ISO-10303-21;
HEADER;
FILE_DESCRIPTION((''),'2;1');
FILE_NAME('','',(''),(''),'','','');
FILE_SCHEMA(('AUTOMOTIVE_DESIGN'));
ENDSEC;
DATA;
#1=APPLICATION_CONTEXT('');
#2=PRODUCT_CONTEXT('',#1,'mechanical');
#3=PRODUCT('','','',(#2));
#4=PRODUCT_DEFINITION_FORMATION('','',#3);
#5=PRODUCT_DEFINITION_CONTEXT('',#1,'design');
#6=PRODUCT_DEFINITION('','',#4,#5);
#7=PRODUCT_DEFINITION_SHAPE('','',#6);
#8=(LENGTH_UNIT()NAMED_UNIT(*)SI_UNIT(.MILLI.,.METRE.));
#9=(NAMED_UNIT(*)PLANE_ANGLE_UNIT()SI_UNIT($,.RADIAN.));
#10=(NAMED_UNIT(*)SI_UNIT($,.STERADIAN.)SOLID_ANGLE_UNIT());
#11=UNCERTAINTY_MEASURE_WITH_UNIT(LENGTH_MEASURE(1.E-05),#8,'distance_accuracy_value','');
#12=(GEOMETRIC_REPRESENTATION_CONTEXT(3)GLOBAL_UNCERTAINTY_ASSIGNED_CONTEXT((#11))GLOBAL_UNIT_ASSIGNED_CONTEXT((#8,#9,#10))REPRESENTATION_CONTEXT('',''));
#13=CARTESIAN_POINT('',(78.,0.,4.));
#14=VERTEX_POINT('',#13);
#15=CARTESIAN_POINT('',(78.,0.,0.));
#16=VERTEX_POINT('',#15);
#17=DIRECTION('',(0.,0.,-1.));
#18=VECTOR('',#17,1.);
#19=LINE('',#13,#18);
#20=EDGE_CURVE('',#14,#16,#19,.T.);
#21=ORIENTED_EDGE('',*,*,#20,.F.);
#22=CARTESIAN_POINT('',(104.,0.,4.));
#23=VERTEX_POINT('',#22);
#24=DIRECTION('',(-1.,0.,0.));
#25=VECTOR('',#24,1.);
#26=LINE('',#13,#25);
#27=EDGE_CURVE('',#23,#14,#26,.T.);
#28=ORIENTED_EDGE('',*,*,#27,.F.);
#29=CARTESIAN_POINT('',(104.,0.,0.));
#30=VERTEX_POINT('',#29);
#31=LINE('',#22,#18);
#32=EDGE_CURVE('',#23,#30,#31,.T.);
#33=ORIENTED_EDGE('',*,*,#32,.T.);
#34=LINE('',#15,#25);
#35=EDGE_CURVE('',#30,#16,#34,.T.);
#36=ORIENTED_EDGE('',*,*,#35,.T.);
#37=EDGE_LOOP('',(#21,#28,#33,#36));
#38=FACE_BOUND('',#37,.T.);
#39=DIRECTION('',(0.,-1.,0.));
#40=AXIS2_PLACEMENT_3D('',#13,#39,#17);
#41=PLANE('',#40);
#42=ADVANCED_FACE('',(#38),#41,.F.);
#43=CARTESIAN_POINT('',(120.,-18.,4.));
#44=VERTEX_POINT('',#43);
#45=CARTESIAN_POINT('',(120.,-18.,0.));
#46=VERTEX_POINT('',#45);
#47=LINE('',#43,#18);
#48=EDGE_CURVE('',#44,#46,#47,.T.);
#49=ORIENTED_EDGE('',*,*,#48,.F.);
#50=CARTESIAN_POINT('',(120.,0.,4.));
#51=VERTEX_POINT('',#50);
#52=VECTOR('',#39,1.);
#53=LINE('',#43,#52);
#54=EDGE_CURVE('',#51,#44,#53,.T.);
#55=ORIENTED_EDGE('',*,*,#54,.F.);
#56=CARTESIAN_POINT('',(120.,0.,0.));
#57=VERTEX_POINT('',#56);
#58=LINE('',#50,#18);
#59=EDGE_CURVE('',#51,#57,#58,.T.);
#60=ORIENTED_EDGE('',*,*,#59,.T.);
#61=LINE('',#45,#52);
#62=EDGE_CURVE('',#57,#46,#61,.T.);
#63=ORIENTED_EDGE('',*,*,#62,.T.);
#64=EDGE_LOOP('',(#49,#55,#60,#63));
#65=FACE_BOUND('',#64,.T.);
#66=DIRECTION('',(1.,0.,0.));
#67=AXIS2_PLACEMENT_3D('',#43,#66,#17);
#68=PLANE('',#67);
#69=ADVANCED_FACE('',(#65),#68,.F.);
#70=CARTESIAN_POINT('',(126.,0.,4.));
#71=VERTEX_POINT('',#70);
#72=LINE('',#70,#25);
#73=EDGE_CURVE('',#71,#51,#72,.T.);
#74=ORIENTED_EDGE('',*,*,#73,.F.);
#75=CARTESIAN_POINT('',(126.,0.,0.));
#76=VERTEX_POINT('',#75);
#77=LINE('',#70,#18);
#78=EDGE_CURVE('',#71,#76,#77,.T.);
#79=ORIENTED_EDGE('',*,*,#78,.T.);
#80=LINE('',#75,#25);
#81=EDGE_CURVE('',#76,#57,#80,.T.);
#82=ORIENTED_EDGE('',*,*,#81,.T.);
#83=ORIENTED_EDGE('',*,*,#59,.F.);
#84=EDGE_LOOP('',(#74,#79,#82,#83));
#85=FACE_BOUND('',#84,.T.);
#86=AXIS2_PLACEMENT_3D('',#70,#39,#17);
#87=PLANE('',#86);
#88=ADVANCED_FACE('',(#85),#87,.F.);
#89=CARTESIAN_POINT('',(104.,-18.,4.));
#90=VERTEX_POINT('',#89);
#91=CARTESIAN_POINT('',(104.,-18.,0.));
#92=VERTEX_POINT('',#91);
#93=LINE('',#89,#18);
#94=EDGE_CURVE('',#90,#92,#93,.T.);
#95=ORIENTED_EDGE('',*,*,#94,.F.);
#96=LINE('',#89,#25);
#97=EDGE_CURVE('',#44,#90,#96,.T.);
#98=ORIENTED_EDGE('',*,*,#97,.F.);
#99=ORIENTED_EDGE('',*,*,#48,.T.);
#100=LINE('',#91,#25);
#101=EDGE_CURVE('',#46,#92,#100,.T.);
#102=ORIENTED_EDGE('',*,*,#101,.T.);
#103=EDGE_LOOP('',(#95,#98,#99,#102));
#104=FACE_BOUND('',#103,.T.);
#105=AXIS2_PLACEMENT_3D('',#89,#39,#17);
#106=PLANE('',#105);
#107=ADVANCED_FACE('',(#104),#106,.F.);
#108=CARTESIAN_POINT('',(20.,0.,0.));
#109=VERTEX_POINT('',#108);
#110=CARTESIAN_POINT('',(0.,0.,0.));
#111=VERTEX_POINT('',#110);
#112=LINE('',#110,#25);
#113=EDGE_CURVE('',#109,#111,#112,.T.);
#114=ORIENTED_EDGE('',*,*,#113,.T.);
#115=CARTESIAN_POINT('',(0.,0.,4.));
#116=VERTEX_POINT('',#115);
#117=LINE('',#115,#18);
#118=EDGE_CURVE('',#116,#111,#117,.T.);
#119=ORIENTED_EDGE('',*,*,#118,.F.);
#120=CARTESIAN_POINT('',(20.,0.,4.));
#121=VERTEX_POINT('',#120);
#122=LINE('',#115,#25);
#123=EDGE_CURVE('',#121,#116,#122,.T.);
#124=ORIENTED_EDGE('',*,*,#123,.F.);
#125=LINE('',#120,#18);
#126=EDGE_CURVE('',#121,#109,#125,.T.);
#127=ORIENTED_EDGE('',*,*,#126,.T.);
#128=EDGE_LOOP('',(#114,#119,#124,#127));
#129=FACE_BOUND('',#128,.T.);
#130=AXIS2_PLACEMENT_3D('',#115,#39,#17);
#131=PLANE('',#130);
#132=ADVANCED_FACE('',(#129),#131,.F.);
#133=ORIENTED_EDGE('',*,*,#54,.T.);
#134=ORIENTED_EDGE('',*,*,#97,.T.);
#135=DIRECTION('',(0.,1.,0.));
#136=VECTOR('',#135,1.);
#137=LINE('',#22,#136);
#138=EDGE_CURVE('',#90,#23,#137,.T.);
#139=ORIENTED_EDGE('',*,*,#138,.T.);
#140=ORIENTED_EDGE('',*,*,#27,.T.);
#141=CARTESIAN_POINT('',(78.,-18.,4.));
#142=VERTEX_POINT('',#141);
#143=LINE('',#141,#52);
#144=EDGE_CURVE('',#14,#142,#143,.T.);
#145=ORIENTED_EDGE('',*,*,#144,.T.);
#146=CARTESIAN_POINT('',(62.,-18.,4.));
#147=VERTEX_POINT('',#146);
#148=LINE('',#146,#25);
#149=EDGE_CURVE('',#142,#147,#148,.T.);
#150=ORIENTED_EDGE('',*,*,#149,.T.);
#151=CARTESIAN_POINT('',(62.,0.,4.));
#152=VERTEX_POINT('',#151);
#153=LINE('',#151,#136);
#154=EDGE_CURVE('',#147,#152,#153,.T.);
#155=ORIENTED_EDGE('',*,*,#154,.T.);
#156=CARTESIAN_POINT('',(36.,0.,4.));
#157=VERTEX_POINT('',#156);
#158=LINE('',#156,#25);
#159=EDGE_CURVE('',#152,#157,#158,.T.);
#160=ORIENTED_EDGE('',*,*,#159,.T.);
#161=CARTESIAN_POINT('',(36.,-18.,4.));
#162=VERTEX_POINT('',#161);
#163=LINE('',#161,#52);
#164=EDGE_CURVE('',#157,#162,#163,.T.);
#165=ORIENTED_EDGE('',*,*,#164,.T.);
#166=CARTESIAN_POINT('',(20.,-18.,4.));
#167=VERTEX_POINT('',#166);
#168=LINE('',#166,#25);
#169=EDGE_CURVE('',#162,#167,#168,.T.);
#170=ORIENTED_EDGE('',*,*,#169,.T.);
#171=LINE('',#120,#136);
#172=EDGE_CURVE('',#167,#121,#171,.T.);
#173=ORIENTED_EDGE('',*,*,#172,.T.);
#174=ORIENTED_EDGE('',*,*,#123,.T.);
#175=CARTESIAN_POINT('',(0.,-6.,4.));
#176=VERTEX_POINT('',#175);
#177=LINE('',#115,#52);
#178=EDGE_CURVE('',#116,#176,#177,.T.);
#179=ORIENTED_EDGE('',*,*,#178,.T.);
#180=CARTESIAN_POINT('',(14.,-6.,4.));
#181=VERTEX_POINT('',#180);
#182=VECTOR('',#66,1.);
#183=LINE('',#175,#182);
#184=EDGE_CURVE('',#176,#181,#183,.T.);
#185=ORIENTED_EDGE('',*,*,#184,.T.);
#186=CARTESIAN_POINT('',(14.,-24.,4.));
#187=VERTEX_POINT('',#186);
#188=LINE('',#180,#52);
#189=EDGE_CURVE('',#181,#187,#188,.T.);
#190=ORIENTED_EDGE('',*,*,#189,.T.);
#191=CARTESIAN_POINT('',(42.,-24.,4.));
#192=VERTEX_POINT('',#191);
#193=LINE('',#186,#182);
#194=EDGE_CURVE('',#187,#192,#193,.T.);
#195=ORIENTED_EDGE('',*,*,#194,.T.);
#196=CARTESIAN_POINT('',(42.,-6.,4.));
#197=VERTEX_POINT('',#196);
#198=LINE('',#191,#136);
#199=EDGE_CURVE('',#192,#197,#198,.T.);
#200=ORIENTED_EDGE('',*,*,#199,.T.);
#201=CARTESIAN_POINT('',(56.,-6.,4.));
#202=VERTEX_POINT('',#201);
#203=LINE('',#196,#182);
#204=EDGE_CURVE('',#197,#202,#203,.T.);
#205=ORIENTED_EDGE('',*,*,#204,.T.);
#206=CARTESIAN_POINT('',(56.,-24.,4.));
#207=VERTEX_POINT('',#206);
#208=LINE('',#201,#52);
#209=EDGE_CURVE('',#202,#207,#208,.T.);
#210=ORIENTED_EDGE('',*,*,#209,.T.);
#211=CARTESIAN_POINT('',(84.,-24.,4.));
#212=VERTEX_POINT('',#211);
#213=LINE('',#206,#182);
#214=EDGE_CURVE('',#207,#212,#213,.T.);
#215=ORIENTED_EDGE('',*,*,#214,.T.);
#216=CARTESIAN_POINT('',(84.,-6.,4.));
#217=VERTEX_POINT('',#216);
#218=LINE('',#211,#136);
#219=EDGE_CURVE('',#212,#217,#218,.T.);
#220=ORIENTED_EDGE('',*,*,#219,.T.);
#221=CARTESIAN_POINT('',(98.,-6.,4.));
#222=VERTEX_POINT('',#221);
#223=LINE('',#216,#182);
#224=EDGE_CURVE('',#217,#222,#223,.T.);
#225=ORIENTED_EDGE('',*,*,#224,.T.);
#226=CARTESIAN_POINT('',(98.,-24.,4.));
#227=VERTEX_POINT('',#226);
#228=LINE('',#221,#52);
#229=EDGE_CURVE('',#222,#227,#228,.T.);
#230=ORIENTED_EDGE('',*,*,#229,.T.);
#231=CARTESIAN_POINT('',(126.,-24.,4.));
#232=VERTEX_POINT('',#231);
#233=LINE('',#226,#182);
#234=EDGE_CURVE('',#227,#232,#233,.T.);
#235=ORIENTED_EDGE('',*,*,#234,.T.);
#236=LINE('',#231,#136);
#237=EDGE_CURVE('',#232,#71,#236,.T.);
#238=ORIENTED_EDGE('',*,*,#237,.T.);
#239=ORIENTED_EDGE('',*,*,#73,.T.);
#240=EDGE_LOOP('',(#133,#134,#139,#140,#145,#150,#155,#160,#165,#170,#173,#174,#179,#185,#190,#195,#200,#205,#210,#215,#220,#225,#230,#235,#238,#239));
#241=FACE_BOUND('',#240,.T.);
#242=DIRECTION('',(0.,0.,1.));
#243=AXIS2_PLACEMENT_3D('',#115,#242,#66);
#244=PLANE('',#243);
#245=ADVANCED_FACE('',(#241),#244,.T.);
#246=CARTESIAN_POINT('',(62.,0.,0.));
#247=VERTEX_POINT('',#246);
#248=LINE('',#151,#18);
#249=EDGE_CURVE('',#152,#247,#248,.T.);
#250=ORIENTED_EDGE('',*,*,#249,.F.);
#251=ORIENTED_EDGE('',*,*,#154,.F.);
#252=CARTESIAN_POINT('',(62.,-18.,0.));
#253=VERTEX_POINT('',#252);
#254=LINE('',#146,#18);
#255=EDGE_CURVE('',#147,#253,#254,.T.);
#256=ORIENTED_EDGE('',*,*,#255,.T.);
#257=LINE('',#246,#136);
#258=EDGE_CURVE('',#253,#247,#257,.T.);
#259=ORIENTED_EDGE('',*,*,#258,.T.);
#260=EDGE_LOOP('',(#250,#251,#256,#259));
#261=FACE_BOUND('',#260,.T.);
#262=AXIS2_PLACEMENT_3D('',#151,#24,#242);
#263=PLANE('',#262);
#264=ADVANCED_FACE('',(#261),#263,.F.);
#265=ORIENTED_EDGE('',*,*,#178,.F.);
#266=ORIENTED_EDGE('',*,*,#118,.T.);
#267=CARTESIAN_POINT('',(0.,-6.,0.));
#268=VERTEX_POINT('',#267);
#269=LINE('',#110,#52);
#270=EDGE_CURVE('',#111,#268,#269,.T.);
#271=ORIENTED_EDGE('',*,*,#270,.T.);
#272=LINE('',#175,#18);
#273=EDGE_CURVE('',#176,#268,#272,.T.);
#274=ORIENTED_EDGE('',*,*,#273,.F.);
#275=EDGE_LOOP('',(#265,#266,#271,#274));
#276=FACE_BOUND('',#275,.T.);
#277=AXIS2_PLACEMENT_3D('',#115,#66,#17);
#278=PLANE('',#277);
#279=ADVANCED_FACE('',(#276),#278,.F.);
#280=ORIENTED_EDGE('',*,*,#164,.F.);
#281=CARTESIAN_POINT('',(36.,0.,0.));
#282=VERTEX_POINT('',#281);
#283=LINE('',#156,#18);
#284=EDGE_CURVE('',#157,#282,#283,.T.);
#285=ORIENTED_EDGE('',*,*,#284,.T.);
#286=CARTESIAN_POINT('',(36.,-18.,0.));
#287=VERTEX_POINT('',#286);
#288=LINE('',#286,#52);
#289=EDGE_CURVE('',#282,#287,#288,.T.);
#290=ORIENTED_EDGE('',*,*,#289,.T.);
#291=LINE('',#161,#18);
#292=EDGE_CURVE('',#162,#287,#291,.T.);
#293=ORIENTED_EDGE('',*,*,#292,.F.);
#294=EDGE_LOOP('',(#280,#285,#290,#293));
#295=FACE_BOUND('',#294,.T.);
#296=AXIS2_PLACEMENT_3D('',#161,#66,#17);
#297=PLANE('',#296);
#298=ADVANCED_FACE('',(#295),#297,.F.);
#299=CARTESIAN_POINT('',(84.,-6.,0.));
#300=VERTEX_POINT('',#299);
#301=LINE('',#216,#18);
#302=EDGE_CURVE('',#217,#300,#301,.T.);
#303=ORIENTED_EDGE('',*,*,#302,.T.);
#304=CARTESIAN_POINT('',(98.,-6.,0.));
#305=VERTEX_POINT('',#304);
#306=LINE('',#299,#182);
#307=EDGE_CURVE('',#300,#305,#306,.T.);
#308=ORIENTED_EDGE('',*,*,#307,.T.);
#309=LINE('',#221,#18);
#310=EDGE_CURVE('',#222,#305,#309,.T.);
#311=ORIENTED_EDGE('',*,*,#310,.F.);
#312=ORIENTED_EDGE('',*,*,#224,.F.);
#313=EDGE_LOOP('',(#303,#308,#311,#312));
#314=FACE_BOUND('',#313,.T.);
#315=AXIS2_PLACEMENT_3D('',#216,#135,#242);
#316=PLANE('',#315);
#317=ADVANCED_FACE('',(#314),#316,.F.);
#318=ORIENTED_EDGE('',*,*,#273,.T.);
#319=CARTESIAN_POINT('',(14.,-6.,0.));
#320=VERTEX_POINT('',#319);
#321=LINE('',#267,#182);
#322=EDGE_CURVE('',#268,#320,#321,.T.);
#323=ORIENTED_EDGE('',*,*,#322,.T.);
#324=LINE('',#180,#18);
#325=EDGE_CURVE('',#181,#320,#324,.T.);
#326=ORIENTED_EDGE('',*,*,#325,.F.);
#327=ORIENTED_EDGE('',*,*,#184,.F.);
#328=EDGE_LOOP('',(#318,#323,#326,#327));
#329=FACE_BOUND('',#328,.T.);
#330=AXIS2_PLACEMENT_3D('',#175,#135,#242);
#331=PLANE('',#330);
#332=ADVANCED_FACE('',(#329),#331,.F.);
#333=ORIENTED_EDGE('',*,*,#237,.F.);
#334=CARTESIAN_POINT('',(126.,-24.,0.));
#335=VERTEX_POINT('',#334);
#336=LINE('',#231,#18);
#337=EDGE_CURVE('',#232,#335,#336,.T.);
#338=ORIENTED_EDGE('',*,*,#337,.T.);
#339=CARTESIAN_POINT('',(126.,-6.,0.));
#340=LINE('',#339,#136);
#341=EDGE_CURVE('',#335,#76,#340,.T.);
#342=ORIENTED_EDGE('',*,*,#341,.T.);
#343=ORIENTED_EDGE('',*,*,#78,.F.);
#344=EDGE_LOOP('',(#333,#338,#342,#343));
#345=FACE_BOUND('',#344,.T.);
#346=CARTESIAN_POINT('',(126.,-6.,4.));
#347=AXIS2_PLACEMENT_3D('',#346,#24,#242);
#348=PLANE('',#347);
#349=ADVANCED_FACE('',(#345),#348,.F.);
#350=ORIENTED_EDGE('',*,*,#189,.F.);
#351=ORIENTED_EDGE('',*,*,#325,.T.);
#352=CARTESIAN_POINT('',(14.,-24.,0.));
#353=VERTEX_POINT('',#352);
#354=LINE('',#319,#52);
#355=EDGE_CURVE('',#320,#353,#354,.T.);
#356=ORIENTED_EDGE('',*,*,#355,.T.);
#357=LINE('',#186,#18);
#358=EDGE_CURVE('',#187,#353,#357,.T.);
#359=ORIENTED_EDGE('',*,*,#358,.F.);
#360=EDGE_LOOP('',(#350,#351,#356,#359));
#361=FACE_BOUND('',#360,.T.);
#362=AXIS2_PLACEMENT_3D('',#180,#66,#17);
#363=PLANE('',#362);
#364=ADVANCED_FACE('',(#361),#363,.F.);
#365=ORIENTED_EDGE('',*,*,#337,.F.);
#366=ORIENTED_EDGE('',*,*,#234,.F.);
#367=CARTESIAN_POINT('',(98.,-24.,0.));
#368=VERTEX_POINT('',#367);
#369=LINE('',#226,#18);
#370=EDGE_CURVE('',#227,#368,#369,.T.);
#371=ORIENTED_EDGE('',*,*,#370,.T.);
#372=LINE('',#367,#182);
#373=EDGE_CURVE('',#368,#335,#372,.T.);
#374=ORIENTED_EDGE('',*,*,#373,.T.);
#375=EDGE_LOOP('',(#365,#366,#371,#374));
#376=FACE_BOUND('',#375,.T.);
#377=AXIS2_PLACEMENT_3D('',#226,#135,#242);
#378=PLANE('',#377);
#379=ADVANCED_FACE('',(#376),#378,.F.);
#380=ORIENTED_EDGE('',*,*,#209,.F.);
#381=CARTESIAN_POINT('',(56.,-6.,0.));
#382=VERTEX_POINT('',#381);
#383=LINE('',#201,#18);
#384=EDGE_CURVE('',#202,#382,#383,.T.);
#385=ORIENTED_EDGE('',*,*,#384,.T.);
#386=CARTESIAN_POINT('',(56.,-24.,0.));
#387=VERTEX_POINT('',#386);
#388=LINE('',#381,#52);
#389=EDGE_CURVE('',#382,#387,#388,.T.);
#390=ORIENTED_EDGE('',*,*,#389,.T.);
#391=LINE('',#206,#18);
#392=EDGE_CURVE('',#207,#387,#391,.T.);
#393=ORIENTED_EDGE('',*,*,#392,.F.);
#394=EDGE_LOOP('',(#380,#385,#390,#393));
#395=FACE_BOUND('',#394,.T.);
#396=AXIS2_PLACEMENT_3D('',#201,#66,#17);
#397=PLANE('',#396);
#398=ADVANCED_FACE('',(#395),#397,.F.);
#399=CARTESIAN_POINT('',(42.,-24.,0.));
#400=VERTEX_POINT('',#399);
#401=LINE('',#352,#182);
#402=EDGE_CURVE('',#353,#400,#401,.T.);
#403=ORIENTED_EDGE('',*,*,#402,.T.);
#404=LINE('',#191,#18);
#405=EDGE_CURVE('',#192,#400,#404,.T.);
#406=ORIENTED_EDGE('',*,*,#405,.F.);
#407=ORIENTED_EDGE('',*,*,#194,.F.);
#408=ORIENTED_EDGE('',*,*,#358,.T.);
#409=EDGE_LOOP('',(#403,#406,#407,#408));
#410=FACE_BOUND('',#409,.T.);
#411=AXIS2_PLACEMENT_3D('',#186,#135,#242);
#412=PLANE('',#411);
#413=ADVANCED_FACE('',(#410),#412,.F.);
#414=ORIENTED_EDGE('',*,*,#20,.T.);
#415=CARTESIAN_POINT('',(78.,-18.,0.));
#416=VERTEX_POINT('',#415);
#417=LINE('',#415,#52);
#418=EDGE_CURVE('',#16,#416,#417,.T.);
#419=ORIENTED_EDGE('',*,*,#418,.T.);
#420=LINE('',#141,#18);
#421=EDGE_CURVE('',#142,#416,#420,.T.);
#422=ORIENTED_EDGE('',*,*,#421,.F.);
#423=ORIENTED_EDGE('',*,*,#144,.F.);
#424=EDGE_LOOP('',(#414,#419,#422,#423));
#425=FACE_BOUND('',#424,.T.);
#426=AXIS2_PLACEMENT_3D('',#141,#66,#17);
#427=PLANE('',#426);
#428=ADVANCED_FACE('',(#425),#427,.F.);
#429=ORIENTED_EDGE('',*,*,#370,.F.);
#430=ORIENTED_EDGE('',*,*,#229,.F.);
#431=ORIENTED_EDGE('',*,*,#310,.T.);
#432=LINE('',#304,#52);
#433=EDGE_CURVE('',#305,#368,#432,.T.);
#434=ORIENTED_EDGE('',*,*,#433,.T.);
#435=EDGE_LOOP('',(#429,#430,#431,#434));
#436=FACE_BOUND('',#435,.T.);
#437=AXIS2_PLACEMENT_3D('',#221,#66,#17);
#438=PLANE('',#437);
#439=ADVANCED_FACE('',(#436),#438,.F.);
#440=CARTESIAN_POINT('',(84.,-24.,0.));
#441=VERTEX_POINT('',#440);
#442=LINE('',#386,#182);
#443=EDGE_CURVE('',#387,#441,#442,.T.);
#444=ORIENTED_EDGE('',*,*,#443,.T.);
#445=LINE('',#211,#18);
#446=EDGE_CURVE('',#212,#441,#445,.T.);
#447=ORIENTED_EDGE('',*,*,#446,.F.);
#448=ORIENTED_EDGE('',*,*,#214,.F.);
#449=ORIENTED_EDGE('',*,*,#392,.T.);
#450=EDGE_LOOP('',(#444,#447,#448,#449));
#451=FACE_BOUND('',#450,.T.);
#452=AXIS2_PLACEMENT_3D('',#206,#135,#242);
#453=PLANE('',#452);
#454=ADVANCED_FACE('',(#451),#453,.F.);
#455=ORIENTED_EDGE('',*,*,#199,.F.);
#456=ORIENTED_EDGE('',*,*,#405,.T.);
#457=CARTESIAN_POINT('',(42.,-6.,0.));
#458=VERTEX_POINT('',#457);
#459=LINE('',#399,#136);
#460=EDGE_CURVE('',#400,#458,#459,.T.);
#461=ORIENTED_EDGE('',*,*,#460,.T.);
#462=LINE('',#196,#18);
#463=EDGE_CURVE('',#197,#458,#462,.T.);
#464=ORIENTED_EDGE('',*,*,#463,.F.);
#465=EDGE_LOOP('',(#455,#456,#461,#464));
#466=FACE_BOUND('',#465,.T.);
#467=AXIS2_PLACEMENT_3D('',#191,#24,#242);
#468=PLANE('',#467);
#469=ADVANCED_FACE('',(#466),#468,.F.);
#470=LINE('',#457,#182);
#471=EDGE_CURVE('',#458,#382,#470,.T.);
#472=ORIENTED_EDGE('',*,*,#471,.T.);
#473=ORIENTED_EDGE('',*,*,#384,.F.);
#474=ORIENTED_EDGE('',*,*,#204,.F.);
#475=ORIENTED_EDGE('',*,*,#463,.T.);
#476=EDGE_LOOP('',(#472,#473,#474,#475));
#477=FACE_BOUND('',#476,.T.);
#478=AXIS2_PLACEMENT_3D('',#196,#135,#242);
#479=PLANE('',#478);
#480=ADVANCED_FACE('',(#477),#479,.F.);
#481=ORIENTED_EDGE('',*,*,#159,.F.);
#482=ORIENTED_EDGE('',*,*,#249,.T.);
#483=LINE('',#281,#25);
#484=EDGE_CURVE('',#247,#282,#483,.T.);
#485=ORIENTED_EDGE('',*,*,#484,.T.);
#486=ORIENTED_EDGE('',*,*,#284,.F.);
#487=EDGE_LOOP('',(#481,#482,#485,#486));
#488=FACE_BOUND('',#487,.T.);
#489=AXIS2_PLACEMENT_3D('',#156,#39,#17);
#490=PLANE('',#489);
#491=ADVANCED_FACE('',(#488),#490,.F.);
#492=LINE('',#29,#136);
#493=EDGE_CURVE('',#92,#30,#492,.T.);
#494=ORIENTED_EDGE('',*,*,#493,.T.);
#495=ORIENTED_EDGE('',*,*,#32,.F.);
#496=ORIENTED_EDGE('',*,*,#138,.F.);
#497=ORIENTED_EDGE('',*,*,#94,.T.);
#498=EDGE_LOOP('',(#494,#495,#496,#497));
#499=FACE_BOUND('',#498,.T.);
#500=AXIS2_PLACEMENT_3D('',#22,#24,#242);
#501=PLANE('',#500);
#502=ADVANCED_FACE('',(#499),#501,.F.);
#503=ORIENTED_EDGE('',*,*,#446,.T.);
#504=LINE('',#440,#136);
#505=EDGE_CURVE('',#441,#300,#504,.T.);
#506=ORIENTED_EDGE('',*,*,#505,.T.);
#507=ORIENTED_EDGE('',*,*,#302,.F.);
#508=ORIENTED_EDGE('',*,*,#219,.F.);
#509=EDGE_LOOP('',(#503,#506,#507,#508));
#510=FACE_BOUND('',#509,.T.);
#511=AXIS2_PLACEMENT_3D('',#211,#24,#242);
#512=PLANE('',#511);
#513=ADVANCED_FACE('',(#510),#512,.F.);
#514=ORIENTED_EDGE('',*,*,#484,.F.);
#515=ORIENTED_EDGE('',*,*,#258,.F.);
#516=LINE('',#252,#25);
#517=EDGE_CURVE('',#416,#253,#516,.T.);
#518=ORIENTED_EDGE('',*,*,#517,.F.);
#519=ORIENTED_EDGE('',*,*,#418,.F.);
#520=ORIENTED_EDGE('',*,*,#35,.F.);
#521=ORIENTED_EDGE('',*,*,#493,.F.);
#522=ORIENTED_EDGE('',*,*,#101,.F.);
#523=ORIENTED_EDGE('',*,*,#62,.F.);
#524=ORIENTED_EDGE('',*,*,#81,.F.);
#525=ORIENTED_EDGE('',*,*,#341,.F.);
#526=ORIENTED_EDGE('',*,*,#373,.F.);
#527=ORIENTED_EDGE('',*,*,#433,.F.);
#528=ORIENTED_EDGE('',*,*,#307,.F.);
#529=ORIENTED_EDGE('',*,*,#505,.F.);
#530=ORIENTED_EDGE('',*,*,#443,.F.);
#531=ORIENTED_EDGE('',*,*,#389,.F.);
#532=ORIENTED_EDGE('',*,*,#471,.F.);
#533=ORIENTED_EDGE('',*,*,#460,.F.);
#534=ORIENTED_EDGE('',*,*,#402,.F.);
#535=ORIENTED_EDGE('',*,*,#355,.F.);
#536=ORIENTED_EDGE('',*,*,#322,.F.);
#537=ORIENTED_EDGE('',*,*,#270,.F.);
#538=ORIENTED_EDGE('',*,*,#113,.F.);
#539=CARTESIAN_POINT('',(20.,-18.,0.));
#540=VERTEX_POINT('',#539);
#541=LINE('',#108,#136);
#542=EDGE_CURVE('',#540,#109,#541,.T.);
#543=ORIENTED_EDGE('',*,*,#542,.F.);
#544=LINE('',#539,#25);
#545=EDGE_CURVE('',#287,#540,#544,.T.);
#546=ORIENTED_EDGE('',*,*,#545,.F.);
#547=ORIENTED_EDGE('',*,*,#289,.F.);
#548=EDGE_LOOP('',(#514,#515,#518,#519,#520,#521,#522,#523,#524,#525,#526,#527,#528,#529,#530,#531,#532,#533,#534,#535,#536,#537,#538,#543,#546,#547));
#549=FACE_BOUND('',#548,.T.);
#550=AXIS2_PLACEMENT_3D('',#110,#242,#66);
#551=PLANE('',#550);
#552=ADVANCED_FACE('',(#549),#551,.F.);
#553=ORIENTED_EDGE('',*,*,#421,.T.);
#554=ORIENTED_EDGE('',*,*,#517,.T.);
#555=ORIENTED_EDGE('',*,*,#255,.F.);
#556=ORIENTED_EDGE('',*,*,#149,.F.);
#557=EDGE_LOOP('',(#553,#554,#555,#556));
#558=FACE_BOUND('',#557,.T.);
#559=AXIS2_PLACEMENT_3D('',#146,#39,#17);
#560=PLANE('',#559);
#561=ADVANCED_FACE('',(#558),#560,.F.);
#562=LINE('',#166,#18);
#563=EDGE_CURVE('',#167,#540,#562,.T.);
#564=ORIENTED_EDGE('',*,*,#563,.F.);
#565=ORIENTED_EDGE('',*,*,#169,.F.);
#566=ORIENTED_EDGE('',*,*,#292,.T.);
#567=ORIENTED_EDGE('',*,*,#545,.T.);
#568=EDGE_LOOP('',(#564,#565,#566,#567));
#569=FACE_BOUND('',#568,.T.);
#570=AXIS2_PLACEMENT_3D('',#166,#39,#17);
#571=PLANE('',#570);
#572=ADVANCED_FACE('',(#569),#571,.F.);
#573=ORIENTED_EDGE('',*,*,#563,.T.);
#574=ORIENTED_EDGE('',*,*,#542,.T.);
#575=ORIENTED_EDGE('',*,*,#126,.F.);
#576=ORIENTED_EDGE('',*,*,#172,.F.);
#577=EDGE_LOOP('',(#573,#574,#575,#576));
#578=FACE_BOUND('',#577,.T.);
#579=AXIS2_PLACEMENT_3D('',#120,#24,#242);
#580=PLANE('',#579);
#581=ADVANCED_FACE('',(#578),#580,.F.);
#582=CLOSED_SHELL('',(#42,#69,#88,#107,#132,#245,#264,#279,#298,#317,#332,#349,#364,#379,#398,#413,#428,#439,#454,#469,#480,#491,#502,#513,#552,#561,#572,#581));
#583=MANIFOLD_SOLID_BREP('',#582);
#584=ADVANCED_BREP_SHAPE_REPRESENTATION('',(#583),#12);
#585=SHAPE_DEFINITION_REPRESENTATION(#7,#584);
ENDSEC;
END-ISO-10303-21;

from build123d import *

# Parameters (mm, degrees)
EXTRUDE_1_DEPTH = 4


with BuildPart() as part:
    # 草图1 → 凸台-拉伸1 (new body)
    with BuildSketch(Plane.XY):
        Polygon((0, 0), (20, 0), (20, -18), (36, -18), (36, 0), (62, 0), (62, -18), (78, -18), (78, 0), (104, 0), (104, -18), (120, -18), (120, 0), (126, 0), (126, -6), (126, -24), (98, -24), (98, -6), (84, -6), (84, -24), (56, -24), (56, -6), (42, -6), (42, -24), (14, -24), (14, -6), (0, -6), align=None)
    extrude(amount=EXTRUDE_1_DEPTH)


solid = part.part
